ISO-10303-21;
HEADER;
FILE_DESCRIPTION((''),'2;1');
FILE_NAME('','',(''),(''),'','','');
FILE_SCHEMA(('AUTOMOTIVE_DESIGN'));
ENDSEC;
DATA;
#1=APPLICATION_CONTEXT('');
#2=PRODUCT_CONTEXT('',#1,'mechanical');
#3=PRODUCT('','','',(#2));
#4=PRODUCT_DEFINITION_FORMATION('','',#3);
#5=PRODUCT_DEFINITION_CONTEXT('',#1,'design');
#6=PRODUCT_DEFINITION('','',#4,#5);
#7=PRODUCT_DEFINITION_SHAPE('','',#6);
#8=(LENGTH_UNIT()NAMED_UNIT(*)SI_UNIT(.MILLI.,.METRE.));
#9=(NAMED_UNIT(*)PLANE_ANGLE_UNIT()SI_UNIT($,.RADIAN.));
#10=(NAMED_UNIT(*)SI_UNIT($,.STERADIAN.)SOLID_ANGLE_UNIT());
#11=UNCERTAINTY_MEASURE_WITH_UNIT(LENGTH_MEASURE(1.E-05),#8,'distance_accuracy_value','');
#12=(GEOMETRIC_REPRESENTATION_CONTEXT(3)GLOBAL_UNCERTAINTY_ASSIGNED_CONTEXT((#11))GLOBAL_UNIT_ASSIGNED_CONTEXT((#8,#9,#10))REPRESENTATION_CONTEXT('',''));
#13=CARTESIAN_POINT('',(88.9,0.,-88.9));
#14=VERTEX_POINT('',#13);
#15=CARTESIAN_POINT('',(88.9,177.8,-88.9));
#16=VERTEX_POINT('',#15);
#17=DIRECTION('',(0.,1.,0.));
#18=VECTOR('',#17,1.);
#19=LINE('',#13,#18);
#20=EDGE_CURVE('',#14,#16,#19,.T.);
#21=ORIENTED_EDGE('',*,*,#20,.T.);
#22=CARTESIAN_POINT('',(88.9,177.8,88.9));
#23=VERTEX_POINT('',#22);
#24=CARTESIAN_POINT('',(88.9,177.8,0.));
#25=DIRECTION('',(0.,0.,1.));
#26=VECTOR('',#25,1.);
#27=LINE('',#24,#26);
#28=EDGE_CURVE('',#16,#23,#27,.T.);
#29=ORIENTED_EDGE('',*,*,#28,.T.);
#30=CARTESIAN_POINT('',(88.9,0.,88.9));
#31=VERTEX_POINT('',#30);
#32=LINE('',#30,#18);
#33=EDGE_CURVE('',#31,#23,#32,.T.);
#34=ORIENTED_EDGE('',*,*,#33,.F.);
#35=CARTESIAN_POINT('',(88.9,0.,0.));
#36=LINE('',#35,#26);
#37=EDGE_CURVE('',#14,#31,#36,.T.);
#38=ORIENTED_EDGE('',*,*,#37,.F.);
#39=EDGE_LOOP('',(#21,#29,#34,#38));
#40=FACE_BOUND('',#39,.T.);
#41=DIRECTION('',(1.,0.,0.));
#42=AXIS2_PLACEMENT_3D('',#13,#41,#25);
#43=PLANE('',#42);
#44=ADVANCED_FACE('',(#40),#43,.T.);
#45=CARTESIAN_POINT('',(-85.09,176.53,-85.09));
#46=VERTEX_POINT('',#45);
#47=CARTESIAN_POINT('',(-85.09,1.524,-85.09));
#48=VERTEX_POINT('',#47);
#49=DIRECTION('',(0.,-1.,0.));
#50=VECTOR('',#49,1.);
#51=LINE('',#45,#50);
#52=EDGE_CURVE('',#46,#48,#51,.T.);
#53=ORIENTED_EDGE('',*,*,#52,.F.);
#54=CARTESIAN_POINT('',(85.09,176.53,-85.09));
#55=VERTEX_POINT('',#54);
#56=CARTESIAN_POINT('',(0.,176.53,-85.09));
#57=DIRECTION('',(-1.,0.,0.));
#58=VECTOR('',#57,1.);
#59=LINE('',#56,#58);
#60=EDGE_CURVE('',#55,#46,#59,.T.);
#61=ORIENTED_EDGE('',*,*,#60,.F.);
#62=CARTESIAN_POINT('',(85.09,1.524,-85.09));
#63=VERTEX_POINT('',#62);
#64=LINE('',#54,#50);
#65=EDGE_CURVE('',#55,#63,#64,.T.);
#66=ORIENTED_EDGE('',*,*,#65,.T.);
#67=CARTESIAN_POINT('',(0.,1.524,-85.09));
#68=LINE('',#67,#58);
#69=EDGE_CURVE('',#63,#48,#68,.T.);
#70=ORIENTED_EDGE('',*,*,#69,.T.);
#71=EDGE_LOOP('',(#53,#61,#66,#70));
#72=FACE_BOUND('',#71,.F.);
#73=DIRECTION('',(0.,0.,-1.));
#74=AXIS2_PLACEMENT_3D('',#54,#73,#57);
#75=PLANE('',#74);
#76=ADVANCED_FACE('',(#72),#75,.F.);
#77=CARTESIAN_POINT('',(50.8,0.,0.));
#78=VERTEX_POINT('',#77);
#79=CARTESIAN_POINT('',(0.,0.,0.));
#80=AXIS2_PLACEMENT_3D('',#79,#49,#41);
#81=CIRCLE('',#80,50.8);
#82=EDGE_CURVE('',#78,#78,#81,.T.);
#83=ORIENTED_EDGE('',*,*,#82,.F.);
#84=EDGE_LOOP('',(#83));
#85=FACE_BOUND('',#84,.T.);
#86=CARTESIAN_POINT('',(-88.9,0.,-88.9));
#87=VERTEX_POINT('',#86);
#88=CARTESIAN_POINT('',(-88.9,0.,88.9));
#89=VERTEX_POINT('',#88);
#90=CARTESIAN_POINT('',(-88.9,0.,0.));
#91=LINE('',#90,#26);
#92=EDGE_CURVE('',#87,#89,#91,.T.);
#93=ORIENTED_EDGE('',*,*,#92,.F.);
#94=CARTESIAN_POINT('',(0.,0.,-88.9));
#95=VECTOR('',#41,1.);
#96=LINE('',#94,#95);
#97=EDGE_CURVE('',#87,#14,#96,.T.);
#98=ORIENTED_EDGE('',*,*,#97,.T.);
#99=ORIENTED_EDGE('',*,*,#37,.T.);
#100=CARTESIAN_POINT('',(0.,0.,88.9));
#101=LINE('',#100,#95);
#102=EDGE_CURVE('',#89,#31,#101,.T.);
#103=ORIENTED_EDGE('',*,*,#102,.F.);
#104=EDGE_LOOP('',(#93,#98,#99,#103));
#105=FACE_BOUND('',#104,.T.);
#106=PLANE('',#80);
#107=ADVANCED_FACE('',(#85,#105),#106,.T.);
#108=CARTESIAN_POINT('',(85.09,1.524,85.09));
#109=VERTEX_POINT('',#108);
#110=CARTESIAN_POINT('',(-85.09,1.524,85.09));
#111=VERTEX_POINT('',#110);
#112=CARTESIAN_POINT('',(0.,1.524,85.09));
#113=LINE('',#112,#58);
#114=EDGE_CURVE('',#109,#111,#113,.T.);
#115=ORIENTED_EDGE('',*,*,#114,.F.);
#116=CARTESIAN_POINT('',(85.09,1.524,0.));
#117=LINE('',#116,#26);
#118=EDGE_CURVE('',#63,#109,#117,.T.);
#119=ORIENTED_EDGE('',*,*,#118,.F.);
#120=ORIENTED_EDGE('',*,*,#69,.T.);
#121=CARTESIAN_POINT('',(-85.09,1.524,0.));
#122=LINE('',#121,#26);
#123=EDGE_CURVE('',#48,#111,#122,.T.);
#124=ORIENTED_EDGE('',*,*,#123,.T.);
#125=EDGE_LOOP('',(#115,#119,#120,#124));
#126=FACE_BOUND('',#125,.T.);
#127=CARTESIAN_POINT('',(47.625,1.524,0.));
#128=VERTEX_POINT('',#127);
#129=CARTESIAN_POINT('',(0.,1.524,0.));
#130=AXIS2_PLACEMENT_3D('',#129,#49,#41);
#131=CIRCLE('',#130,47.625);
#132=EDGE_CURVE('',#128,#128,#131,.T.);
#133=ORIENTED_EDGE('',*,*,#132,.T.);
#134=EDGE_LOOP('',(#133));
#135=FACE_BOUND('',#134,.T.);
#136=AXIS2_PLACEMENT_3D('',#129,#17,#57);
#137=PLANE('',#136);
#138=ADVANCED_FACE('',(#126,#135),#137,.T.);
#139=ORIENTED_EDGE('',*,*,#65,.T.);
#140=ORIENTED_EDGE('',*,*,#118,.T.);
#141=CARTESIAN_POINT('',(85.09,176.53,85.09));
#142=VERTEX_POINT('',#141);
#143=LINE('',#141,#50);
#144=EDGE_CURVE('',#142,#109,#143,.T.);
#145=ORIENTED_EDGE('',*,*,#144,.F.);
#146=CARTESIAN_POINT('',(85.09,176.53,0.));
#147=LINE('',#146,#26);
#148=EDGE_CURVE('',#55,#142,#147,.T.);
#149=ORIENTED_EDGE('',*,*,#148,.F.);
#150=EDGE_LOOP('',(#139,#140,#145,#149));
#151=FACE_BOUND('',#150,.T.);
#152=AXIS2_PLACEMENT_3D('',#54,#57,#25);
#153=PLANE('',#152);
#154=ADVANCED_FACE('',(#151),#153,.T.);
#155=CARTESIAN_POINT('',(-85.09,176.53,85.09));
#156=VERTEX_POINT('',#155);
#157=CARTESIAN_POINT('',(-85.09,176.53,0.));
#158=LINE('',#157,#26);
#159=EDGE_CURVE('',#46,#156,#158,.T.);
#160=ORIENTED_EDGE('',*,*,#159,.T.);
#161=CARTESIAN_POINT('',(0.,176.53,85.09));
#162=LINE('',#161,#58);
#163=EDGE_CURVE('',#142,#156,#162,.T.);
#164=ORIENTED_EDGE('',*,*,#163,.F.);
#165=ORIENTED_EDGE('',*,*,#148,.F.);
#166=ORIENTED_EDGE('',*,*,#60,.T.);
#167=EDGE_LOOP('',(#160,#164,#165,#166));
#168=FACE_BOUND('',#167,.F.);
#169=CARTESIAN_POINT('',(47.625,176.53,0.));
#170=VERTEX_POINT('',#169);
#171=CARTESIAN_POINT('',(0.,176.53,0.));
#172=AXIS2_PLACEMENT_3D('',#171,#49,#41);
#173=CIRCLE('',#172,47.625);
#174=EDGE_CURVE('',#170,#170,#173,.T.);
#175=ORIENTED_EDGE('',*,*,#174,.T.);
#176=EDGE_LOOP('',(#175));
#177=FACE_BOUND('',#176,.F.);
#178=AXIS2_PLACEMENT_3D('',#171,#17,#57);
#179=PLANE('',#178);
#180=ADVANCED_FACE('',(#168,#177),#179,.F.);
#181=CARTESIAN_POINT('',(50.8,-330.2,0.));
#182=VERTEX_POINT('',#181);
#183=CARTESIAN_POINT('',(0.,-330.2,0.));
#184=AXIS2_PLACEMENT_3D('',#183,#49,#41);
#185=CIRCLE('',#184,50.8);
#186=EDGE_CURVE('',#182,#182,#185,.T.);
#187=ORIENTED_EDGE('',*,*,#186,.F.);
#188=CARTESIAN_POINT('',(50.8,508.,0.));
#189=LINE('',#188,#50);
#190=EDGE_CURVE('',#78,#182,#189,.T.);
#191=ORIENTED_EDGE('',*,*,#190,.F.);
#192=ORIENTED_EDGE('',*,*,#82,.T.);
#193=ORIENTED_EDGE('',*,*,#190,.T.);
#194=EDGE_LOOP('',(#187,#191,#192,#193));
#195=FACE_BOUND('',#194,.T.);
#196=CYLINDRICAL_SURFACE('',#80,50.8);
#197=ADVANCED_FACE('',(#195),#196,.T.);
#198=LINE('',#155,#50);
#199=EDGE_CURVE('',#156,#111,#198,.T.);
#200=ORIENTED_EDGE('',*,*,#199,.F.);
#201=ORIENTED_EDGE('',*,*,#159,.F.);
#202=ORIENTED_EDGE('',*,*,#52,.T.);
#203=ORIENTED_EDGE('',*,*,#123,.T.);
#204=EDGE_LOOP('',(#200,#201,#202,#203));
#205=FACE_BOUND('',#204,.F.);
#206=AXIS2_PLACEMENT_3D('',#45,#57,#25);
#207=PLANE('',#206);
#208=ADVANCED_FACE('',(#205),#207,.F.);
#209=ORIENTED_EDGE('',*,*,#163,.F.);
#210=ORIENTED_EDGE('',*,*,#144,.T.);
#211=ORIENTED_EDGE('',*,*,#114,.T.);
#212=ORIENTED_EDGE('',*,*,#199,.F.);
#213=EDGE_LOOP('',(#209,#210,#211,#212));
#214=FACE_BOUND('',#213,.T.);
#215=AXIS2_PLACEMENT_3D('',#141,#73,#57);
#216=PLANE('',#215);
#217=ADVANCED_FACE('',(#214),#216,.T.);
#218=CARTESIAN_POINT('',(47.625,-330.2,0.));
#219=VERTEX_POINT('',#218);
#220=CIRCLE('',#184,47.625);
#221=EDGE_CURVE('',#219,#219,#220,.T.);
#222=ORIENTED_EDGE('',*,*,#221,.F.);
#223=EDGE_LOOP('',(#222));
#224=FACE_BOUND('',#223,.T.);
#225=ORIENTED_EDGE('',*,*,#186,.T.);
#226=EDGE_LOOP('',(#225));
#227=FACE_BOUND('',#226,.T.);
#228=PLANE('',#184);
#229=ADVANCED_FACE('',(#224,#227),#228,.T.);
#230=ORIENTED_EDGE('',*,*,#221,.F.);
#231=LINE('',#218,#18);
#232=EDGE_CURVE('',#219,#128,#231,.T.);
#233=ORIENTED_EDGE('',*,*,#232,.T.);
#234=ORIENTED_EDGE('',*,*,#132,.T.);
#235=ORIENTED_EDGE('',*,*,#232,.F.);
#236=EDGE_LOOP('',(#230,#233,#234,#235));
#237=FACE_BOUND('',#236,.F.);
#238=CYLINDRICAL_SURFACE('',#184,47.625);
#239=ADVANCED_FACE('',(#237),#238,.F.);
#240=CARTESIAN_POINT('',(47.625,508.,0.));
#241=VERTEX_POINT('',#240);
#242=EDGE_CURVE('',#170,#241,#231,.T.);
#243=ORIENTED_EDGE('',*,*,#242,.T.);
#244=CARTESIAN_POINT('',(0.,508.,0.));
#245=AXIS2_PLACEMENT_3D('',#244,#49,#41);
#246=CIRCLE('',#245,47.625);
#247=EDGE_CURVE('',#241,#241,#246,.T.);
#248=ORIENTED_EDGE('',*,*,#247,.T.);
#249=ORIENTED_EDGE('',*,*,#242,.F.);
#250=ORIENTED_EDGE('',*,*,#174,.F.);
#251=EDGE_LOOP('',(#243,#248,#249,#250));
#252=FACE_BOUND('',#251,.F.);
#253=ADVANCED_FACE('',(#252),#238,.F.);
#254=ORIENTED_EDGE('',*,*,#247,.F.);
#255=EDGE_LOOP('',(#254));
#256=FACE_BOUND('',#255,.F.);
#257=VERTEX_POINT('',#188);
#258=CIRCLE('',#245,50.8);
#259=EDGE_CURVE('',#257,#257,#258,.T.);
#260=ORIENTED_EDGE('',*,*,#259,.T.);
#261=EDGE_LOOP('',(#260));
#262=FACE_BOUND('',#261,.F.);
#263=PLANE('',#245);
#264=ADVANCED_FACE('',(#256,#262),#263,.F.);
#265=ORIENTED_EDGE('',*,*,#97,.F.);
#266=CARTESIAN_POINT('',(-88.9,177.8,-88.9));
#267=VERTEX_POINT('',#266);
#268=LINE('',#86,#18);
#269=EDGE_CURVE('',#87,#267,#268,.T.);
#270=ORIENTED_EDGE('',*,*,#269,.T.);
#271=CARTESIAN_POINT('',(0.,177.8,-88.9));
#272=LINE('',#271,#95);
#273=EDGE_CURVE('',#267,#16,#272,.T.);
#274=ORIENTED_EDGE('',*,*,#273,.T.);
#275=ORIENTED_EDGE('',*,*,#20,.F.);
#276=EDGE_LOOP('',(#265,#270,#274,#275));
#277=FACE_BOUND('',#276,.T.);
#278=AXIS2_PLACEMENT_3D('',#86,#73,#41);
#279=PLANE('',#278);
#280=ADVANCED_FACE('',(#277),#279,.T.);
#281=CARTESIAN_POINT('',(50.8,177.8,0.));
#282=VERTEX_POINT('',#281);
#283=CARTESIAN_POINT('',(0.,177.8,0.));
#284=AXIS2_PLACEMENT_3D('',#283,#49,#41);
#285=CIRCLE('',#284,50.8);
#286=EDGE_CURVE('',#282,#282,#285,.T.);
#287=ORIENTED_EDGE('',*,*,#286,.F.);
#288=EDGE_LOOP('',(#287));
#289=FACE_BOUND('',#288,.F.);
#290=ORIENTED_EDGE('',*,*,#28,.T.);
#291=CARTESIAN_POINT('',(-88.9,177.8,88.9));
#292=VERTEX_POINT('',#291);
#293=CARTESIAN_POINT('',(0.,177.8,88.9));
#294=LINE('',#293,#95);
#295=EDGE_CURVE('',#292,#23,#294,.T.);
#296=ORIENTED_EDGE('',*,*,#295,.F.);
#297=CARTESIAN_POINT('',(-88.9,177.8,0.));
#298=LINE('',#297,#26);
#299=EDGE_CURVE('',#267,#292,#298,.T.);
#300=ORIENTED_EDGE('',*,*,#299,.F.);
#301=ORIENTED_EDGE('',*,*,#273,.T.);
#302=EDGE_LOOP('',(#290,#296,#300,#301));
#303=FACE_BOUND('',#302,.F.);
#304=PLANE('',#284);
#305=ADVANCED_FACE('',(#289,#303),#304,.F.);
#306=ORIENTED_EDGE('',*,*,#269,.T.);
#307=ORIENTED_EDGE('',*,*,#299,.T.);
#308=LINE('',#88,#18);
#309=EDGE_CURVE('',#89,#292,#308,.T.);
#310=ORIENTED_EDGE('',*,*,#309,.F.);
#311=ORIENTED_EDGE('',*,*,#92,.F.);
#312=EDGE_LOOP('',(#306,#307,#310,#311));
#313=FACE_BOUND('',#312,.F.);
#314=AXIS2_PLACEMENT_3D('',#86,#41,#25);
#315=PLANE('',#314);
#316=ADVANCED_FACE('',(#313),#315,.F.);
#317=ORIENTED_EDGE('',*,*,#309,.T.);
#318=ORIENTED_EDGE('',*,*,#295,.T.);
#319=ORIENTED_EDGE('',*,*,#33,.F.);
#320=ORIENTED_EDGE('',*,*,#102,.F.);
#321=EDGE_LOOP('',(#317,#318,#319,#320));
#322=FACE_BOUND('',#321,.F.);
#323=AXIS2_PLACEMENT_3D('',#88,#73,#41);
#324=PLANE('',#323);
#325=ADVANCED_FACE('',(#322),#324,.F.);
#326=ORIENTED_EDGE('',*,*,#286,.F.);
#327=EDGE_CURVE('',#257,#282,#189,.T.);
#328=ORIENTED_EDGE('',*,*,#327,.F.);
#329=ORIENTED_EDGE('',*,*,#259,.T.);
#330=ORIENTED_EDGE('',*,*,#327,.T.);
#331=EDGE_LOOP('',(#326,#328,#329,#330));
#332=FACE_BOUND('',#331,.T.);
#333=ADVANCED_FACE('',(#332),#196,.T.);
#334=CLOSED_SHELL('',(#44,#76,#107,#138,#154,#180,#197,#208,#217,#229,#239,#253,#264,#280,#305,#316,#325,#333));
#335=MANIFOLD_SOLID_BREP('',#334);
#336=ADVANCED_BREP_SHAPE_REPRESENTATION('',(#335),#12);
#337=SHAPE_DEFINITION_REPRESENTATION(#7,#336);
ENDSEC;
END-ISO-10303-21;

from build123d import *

# Parameters (mm, degrees)
F0_R          = 50.8
F1_DEPTH      = 330.2
F1_DEPTH_BACK = 508
F3_W          = 177.8
F3_H          = 177.8
F4_DEPTH      = 177.8
F6_START      = -1.27
F5_W          = 170.18
F5_H          = 170.18
F6_DEPTH      = 175.006
F2_R          = 47.625
F7_DEPTH      = 914.4


with BuildPart() as f1:
    # F0 (on Front) → F1 (new body, two sides)
    with BuildSketch(Plane.XZ) as f1_sk:
        Circle(F0_R)
    extrude(amount=F1_DEPTH)
    extrude(f1_sk.sketch, amount=-F1_DEPTH_BACK)

    # F3 (on Front) → F4 (join)
    with BuildSketch(Plane.XZ):
        Rectangle(F3_W, F3_H)
    extrude(amount=-F4_DEPTH)

    # F5 (on face) → F6 (cut)
    with BuildSketch(Plane(origin=(0, 177.8, 0), x_dir=(-1, 0, 0), z_dir=(0, 1, 0)).offset(F6_START)):
        Rectangle(F5_W, F5_H)
    extrude(amount=-F6_DEPTH, mode=Mode.SUBTRACT)

    # F2 (on face) → F7 (cut)
    with BuildSketch(Plane.XZ.offset(330.2)):
        Circle(F2_R)
    extrude(amount=-F7_DEPTH, mode=Mode.SUBTRACT)


solid = f1.part
